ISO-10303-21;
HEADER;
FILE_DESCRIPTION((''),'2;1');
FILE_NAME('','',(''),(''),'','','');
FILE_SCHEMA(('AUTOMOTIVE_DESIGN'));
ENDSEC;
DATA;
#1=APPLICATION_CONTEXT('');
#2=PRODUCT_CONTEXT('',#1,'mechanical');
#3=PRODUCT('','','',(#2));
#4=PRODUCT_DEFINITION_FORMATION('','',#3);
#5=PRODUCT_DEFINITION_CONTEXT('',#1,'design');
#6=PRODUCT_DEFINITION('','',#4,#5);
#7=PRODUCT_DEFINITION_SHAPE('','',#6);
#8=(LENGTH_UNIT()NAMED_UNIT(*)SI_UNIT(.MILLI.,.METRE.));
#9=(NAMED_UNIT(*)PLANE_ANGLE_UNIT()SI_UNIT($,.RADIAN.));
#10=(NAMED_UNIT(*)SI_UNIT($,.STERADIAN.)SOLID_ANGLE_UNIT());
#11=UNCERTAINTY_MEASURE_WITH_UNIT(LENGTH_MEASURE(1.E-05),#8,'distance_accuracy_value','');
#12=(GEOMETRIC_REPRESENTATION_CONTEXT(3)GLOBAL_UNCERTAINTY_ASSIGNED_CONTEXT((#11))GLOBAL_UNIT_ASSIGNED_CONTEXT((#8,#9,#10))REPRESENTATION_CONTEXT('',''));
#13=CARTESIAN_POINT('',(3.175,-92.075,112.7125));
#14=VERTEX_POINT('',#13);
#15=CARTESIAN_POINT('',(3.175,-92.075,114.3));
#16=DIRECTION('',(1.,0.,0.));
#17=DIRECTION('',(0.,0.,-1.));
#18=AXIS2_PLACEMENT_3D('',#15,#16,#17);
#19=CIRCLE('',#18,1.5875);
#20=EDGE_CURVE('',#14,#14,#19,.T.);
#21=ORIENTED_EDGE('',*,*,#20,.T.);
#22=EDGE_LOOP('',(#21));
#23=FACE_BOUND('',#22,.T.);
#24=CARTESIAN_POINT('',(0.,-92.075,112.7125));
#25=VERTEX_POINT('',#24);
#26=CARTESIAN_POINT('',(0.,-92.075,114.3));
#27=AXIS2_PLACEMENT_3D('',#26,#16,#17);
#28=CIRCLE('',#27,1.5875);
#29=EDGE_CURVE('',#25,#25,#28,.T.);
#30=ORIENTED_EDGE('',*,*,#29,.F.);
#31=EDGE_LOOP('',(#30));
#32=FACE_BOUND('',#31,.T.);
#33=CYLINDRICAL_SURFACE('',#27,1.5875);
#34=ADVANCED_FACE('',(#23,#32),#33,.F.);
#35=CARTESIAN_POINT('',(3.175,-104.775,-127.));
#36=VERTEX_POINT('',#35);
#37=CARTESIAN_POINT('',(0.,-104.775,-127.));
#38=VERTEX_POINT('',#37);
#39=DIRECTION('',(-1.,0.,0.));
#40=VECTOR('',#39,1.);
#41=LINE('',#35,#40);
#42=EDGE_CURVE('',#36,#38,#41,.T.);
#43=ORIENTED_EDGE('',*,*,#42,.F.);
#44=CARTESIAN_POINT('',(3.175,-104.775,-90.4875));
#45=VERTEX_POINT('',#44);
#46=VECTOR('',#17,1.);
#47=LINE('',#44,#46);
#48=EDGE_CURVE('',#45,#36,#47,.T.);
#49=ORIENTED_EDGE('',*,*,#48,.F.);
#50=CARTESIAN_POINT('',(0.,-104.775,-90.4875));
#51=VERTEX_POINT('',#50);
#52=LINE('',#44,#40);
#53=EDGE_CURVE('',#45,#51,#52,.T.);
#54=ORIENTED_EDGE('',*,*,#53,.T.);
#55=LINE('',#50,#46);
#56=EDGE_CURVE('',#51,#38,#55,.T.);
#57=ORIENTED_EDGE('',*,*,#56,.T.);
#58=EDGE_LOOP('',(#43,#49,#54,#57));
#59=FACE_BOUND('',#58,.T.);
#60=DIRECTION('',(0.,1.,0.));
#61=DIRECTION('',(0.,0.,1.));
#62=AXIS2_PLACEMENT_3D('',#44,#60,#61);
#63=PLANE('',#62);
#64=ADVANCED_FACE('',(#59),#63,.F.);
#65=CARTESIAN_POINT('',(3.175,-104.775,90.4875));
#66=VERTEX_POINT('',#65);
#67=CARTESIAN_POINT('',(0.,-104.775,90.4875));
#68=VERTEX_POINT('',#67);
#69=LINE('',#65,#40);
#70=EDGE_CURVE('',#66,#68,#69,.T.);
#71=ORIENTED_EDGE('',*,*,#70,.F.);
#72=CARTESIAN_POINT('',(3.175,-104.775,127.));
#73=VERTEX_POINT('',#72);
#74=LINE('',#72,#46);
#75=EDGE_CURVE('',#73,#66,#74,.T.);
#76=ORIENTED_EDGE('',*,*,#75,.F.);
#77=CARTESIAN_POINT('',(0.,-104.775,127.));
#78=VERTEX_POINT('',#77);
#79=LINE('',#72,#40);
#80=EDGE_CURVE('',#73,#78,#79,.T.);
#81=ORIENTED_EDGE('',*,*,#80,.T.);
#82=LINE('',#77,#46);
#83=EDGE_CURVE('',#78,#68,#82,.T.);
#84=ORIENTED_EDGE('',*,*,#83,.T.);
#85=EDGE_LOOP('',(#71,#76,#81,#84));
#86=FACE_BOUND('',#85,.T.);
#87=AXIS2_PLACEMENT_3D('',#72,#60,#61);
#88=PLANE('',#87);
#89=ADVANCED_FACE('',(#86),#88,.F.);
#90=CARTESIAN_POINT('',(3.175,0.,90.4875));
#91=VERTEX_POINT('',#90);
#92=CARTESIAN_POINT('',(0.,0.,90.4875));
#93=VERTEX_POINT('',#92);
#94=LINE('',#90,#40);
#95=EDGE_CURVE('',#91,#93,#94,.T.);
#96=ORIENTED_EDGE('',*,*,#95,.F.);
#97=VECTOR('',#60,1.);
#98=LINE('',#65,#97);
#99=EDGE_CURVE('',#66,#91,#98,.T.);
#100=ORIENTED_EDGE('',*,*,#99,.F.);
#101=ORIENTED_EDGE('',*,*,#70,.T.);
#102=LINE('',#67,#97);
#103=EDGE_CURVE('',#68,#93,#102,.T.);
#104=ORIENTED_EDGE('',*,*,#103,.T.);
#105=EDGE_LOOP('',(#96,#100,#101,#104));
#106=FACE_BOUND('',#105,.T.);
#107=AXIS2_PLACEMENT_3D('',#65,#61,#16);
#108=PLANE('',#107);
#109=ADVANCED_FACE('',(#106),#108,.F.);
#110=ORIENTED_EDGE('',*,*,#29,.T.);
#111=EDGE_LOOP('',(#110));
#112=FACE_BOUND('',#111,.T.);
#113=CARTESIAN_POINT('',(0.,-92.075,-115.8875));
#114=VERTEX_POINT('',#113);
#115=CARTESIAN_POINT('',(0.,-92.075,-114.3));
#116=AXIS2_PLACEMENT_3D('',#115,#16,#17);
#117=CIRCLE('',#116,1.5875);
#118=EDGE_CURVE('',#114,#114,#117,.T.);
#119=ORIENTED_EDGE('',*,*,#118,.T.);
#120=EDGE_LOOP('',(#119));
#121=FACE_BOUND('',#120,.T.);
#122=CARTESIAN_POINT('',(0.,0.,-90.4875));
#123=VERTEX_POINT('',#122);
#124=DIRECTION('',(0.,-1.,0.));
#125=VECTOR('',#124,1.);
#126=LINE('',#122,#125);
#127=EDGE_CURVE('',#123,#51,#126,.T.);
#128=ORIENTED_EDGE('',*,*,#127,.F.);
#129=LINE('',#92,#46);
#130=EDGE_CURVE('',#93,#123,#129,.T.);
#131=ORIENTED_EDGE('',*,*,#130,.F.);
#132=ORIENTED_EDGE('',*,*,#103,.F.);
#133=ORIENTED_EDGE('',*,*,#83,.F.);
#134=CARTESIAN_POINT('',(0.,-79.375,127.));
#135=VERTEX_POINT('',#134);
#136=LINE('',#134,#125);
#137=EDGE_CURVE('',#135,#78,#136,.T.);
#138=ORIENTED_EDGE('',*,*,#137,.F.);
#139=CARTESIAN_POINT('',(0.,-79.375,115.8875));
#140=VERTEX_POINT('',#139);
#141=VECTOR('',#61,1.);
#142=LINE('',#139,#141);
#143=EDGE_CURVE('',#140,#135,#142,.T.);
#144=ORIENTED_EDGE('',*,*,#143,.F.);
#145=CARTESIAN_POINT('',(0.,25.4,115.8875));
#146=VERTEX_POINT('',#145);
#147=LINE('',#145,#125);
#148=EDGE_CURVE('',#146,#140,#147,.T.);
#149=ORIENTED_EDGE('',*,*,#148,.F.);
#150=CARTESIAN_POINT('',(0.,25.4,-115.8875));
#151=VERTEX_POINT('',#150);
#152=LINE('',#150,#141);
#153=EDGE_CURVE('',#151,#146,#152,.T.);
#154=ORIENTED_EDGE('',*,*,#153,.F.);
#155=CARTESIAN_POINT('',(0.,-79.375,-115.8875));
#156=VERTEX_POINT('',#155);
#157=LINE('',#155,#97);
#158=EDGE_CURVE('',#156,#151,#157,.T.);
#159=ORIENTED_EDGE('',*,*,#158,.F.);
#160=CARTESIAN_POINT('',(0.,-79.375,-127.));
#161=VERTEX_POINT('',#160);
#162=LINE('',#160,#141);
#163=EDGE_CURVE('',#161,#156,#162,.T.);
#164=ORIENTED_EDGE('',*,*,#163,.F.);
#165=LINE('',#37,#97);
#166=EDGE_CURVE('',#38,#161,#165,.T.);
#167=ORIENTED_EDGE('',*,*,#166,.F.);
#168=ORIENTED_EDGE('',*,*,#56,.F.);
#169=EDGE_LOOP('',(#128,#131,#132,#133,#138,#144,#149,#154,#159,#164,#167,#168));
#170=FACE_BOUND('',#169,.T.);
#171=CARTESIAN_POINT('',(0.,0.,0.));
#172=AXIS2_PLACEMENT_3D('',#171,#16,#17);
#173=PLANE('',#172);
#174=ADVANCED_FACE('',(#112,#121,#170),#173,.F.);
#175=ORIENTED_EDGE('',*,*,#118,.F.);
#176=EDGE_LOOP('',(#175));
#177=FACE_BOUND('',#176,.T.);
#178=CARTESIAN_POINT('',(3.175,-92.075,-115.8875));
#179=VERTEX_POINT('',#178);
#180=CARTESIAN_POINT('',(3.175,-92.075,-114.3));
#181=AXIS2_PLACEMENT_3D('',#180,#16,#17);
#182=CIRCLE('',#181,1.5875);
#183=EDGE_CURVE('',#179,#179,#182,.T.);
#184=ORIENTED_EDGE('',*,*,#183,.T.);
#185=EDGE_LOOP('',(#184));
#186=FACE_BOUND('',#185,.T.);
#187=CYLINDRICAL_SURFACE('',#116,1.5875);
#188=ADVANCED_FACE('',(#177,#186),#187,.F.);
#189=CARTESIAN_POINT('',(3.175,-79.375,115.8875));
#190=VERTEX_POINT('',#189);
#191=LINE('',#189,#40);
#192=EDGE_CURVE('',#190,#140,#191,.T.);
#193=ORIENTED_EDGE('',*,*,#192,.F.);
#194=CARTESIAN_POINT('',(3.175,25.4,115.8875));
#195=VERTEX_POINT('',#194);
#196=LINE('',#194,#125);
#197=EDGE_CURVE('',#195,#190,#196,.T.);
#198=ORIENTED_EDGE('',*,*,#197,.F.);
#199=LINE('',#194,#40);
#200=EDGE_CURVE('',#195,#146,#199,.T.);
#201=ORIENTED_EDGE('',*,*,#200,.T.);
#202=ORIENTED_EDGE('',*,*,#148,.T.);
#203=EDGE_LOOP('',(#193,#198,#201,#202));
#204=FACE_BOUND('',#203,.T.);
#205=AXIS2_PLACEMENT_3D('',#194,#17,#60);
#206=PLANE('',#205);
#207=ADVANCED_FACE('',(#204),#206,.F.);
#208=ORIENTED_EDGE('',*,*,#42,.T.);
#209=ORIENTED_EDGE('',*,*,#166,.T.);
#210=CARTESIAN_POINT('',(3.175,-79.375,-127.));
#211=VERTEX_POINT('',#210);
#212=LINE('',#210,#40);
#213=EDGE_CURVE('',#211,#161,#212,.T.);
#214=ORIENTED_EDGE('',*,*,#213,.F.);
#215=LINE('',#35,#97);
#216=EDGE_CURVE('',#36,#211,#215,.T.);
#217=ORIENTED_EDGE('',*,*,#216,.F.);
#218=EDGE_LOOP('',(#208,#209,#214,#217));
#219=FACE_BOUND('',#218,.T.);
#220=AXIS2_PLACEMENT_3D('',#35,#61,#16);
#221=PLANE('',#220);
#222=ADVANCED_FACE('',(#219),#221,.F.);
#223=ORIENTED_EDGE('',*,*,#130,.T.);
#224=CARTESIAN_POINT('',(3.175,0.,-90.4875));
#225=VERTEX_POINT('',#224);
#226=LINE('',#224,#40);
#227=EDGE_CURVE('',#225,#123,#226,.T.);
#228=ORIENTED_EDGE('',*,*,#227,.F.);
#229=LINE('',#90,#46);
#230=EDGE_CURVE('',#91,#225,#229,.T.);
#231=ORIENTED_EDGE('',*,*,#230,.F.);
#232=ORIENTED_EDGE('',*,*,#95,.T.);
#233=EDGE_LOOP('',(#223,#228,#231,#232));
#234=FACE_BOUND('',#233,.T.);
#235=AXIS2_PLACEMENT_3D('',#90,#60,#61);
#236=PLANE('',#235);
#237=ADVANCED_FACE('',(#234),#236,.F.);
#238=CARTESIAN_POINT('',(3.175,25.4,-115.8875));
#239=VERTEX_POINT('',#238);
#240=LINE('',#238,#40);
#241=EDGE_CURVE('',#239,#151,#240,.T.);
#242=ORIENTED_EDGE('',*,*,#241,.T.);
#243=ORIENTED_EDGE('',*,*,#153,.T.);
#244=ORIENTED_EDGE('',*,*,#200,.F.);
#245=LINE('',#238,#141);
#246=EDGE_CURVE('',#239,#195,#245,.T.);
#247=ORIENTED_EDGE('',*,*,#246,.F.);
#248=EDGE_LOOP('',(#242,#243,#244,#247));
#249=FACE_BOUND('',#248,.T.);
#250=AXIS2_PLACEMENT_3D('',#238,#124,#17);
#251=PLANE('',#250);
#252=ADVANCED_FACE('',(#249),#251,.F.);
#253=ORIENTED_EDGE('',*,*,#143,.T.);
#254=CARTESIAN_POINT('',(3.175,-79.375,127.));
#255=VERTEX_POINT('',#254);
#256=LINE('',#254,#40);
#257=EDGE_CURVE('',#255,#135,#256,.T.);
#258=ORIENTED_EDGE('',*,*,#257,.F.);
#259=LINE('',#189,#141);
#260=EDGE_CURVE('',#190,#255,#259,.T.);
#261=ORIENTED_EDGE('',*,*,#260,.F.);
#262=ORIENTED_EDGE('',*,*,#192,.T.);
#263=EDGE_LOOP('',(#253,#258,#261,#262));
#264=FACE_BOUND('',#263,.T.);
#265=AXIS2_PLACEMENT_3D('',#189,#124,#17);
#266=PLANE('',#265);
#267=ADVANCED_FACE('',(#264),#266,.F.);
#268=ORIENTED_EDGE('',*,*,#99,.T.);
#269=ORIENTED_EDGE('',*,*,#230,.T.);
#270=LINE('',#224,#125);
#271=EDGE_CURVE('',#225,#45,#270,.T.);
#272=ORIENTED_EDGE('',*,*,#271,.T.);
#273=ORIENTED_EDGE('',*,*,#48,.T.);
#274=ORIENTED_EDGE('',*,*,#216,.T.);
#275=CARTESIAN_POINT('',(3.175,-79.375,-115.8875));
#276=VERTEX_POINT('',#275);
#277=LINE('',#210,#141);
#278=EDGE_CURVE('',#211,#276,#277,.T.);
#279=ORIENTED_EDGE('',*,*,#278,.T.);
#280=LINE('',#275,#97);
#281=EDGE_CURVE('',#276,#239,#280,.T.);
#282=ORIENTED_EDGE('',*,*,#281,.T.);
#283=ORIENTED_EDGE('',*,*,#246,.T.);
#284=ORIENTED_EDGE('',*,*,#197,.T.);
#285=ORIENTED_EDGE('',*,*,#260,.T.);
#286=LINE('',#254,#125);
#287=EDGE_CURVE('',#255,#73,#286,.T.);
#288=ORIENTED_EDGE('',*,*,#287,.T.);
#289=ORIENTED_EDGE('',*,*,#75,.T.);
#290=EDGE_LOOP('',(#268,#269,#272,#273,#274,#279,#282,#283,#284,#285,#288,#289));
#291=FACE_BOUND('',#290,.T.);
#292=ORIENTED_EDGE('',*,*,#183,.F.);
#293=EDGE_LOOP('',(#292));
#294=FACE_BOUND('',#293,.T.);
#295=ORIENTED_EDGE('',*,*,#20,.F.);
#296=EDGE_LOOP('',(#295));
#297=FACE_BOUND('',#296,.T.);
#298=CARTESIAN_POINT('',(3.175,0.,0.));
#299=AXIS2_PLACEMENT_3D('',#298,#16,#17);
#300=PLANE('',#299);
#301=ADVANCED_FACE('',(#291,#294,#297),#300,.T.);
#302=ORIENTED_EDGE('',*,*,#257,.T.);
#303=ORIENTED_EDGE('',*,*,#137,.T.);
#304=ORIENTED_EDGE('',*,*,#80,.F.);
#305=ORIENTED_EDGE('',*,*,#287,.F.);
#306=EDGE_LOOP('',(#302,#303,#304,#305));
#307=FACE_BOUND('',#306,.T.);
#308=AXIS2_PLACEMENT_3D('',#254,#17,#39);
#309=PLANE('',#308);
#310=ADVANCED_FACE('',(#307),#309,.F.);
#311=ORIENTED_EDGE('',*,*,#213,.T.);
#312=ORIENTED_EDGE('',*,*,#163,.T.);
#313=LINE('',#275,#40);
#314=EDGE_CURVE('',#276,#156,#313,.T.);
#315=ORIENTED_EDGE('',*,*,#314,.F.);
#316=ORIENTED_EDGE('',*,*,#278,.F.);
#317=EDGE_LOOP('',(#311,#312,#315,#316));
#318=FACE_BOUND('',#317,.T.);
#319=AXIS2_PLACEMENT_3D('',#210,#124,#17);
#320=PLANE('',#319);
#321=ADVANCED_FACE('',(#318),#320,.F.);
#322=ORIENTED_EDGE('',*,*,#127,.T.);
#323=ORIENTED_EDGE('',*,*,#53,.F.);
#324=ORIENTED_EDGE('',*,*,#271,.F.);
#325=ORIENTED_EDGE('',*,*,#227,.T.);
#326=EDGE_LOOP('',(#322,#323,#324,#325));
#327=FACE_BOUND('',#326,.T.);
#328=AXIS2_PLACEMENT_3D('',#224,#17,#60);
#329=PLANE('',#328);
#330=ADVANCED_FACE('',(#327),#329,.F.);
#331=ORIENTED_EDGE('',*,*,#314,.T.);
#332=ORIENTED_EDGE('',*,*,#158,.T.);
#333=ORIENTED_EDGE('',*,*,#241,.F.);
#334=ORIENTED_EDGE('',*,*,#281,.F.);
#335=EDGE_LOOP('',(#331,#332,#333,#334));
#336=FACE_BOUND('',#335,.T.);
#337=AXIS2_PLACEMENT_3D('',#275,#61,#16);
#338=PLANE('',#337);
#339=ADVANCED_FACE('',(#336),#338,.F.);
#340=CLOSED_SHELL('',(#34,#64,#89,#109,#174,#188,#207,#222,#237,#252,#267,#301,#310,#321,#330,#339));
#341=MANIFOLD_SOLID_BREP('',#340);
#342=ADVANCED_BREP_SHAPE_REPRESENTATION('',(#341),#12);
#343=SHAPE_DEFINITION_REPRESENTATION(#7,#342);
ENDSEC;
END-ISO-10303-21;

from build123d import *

# Parameters (mm, degrees)
BOSS_EXTRUDE1_DEPTH = 3.175
SKETCH2_R           = 1.5875
CUT_EXTRUDE1_DEPTH  = 4.175


with BuildPart() as part:
    # Sketch1 → Boss-Extrude1 (new body)
    with BuildSketch(Plane(origin=(0, 0, 0), x_dir=(0, 0, -1), z_dir=(1, 0, 0))):
        Polygon((-90.4875, 0), (90.4875, 0), (90.4875, -104.775), (127, -104.775), (127, -79.375), (115.8875, -79.375), (115.8875, 25.4), (-115.8875, 25.4), (-115.8875, -79.375), (-127, -79.375), (-127, -104.775), (-90.4875, -104.775), align=None)
    extrude(amount=BOSS_EXTRUDE1_DEPTH)

    # Sketch2 → Cut-Extrude1 (cut, through all)
    with BuildSketch(Plane(origin=(3.175, 0, 0), x_dir=(0, 0, -1), z_dir=(1, 0, 0))):
        with Locations((-114.3, -92.075)):
            Circle(SKETCH2_R)
        with Locations((114.3, -92.075)):
            Circle(SKETCH2_R)
    extrude(amount=-CUT_EXTRUDE1_DEPTH, mode=Mode.SUBTRACT)


solid = part.part
